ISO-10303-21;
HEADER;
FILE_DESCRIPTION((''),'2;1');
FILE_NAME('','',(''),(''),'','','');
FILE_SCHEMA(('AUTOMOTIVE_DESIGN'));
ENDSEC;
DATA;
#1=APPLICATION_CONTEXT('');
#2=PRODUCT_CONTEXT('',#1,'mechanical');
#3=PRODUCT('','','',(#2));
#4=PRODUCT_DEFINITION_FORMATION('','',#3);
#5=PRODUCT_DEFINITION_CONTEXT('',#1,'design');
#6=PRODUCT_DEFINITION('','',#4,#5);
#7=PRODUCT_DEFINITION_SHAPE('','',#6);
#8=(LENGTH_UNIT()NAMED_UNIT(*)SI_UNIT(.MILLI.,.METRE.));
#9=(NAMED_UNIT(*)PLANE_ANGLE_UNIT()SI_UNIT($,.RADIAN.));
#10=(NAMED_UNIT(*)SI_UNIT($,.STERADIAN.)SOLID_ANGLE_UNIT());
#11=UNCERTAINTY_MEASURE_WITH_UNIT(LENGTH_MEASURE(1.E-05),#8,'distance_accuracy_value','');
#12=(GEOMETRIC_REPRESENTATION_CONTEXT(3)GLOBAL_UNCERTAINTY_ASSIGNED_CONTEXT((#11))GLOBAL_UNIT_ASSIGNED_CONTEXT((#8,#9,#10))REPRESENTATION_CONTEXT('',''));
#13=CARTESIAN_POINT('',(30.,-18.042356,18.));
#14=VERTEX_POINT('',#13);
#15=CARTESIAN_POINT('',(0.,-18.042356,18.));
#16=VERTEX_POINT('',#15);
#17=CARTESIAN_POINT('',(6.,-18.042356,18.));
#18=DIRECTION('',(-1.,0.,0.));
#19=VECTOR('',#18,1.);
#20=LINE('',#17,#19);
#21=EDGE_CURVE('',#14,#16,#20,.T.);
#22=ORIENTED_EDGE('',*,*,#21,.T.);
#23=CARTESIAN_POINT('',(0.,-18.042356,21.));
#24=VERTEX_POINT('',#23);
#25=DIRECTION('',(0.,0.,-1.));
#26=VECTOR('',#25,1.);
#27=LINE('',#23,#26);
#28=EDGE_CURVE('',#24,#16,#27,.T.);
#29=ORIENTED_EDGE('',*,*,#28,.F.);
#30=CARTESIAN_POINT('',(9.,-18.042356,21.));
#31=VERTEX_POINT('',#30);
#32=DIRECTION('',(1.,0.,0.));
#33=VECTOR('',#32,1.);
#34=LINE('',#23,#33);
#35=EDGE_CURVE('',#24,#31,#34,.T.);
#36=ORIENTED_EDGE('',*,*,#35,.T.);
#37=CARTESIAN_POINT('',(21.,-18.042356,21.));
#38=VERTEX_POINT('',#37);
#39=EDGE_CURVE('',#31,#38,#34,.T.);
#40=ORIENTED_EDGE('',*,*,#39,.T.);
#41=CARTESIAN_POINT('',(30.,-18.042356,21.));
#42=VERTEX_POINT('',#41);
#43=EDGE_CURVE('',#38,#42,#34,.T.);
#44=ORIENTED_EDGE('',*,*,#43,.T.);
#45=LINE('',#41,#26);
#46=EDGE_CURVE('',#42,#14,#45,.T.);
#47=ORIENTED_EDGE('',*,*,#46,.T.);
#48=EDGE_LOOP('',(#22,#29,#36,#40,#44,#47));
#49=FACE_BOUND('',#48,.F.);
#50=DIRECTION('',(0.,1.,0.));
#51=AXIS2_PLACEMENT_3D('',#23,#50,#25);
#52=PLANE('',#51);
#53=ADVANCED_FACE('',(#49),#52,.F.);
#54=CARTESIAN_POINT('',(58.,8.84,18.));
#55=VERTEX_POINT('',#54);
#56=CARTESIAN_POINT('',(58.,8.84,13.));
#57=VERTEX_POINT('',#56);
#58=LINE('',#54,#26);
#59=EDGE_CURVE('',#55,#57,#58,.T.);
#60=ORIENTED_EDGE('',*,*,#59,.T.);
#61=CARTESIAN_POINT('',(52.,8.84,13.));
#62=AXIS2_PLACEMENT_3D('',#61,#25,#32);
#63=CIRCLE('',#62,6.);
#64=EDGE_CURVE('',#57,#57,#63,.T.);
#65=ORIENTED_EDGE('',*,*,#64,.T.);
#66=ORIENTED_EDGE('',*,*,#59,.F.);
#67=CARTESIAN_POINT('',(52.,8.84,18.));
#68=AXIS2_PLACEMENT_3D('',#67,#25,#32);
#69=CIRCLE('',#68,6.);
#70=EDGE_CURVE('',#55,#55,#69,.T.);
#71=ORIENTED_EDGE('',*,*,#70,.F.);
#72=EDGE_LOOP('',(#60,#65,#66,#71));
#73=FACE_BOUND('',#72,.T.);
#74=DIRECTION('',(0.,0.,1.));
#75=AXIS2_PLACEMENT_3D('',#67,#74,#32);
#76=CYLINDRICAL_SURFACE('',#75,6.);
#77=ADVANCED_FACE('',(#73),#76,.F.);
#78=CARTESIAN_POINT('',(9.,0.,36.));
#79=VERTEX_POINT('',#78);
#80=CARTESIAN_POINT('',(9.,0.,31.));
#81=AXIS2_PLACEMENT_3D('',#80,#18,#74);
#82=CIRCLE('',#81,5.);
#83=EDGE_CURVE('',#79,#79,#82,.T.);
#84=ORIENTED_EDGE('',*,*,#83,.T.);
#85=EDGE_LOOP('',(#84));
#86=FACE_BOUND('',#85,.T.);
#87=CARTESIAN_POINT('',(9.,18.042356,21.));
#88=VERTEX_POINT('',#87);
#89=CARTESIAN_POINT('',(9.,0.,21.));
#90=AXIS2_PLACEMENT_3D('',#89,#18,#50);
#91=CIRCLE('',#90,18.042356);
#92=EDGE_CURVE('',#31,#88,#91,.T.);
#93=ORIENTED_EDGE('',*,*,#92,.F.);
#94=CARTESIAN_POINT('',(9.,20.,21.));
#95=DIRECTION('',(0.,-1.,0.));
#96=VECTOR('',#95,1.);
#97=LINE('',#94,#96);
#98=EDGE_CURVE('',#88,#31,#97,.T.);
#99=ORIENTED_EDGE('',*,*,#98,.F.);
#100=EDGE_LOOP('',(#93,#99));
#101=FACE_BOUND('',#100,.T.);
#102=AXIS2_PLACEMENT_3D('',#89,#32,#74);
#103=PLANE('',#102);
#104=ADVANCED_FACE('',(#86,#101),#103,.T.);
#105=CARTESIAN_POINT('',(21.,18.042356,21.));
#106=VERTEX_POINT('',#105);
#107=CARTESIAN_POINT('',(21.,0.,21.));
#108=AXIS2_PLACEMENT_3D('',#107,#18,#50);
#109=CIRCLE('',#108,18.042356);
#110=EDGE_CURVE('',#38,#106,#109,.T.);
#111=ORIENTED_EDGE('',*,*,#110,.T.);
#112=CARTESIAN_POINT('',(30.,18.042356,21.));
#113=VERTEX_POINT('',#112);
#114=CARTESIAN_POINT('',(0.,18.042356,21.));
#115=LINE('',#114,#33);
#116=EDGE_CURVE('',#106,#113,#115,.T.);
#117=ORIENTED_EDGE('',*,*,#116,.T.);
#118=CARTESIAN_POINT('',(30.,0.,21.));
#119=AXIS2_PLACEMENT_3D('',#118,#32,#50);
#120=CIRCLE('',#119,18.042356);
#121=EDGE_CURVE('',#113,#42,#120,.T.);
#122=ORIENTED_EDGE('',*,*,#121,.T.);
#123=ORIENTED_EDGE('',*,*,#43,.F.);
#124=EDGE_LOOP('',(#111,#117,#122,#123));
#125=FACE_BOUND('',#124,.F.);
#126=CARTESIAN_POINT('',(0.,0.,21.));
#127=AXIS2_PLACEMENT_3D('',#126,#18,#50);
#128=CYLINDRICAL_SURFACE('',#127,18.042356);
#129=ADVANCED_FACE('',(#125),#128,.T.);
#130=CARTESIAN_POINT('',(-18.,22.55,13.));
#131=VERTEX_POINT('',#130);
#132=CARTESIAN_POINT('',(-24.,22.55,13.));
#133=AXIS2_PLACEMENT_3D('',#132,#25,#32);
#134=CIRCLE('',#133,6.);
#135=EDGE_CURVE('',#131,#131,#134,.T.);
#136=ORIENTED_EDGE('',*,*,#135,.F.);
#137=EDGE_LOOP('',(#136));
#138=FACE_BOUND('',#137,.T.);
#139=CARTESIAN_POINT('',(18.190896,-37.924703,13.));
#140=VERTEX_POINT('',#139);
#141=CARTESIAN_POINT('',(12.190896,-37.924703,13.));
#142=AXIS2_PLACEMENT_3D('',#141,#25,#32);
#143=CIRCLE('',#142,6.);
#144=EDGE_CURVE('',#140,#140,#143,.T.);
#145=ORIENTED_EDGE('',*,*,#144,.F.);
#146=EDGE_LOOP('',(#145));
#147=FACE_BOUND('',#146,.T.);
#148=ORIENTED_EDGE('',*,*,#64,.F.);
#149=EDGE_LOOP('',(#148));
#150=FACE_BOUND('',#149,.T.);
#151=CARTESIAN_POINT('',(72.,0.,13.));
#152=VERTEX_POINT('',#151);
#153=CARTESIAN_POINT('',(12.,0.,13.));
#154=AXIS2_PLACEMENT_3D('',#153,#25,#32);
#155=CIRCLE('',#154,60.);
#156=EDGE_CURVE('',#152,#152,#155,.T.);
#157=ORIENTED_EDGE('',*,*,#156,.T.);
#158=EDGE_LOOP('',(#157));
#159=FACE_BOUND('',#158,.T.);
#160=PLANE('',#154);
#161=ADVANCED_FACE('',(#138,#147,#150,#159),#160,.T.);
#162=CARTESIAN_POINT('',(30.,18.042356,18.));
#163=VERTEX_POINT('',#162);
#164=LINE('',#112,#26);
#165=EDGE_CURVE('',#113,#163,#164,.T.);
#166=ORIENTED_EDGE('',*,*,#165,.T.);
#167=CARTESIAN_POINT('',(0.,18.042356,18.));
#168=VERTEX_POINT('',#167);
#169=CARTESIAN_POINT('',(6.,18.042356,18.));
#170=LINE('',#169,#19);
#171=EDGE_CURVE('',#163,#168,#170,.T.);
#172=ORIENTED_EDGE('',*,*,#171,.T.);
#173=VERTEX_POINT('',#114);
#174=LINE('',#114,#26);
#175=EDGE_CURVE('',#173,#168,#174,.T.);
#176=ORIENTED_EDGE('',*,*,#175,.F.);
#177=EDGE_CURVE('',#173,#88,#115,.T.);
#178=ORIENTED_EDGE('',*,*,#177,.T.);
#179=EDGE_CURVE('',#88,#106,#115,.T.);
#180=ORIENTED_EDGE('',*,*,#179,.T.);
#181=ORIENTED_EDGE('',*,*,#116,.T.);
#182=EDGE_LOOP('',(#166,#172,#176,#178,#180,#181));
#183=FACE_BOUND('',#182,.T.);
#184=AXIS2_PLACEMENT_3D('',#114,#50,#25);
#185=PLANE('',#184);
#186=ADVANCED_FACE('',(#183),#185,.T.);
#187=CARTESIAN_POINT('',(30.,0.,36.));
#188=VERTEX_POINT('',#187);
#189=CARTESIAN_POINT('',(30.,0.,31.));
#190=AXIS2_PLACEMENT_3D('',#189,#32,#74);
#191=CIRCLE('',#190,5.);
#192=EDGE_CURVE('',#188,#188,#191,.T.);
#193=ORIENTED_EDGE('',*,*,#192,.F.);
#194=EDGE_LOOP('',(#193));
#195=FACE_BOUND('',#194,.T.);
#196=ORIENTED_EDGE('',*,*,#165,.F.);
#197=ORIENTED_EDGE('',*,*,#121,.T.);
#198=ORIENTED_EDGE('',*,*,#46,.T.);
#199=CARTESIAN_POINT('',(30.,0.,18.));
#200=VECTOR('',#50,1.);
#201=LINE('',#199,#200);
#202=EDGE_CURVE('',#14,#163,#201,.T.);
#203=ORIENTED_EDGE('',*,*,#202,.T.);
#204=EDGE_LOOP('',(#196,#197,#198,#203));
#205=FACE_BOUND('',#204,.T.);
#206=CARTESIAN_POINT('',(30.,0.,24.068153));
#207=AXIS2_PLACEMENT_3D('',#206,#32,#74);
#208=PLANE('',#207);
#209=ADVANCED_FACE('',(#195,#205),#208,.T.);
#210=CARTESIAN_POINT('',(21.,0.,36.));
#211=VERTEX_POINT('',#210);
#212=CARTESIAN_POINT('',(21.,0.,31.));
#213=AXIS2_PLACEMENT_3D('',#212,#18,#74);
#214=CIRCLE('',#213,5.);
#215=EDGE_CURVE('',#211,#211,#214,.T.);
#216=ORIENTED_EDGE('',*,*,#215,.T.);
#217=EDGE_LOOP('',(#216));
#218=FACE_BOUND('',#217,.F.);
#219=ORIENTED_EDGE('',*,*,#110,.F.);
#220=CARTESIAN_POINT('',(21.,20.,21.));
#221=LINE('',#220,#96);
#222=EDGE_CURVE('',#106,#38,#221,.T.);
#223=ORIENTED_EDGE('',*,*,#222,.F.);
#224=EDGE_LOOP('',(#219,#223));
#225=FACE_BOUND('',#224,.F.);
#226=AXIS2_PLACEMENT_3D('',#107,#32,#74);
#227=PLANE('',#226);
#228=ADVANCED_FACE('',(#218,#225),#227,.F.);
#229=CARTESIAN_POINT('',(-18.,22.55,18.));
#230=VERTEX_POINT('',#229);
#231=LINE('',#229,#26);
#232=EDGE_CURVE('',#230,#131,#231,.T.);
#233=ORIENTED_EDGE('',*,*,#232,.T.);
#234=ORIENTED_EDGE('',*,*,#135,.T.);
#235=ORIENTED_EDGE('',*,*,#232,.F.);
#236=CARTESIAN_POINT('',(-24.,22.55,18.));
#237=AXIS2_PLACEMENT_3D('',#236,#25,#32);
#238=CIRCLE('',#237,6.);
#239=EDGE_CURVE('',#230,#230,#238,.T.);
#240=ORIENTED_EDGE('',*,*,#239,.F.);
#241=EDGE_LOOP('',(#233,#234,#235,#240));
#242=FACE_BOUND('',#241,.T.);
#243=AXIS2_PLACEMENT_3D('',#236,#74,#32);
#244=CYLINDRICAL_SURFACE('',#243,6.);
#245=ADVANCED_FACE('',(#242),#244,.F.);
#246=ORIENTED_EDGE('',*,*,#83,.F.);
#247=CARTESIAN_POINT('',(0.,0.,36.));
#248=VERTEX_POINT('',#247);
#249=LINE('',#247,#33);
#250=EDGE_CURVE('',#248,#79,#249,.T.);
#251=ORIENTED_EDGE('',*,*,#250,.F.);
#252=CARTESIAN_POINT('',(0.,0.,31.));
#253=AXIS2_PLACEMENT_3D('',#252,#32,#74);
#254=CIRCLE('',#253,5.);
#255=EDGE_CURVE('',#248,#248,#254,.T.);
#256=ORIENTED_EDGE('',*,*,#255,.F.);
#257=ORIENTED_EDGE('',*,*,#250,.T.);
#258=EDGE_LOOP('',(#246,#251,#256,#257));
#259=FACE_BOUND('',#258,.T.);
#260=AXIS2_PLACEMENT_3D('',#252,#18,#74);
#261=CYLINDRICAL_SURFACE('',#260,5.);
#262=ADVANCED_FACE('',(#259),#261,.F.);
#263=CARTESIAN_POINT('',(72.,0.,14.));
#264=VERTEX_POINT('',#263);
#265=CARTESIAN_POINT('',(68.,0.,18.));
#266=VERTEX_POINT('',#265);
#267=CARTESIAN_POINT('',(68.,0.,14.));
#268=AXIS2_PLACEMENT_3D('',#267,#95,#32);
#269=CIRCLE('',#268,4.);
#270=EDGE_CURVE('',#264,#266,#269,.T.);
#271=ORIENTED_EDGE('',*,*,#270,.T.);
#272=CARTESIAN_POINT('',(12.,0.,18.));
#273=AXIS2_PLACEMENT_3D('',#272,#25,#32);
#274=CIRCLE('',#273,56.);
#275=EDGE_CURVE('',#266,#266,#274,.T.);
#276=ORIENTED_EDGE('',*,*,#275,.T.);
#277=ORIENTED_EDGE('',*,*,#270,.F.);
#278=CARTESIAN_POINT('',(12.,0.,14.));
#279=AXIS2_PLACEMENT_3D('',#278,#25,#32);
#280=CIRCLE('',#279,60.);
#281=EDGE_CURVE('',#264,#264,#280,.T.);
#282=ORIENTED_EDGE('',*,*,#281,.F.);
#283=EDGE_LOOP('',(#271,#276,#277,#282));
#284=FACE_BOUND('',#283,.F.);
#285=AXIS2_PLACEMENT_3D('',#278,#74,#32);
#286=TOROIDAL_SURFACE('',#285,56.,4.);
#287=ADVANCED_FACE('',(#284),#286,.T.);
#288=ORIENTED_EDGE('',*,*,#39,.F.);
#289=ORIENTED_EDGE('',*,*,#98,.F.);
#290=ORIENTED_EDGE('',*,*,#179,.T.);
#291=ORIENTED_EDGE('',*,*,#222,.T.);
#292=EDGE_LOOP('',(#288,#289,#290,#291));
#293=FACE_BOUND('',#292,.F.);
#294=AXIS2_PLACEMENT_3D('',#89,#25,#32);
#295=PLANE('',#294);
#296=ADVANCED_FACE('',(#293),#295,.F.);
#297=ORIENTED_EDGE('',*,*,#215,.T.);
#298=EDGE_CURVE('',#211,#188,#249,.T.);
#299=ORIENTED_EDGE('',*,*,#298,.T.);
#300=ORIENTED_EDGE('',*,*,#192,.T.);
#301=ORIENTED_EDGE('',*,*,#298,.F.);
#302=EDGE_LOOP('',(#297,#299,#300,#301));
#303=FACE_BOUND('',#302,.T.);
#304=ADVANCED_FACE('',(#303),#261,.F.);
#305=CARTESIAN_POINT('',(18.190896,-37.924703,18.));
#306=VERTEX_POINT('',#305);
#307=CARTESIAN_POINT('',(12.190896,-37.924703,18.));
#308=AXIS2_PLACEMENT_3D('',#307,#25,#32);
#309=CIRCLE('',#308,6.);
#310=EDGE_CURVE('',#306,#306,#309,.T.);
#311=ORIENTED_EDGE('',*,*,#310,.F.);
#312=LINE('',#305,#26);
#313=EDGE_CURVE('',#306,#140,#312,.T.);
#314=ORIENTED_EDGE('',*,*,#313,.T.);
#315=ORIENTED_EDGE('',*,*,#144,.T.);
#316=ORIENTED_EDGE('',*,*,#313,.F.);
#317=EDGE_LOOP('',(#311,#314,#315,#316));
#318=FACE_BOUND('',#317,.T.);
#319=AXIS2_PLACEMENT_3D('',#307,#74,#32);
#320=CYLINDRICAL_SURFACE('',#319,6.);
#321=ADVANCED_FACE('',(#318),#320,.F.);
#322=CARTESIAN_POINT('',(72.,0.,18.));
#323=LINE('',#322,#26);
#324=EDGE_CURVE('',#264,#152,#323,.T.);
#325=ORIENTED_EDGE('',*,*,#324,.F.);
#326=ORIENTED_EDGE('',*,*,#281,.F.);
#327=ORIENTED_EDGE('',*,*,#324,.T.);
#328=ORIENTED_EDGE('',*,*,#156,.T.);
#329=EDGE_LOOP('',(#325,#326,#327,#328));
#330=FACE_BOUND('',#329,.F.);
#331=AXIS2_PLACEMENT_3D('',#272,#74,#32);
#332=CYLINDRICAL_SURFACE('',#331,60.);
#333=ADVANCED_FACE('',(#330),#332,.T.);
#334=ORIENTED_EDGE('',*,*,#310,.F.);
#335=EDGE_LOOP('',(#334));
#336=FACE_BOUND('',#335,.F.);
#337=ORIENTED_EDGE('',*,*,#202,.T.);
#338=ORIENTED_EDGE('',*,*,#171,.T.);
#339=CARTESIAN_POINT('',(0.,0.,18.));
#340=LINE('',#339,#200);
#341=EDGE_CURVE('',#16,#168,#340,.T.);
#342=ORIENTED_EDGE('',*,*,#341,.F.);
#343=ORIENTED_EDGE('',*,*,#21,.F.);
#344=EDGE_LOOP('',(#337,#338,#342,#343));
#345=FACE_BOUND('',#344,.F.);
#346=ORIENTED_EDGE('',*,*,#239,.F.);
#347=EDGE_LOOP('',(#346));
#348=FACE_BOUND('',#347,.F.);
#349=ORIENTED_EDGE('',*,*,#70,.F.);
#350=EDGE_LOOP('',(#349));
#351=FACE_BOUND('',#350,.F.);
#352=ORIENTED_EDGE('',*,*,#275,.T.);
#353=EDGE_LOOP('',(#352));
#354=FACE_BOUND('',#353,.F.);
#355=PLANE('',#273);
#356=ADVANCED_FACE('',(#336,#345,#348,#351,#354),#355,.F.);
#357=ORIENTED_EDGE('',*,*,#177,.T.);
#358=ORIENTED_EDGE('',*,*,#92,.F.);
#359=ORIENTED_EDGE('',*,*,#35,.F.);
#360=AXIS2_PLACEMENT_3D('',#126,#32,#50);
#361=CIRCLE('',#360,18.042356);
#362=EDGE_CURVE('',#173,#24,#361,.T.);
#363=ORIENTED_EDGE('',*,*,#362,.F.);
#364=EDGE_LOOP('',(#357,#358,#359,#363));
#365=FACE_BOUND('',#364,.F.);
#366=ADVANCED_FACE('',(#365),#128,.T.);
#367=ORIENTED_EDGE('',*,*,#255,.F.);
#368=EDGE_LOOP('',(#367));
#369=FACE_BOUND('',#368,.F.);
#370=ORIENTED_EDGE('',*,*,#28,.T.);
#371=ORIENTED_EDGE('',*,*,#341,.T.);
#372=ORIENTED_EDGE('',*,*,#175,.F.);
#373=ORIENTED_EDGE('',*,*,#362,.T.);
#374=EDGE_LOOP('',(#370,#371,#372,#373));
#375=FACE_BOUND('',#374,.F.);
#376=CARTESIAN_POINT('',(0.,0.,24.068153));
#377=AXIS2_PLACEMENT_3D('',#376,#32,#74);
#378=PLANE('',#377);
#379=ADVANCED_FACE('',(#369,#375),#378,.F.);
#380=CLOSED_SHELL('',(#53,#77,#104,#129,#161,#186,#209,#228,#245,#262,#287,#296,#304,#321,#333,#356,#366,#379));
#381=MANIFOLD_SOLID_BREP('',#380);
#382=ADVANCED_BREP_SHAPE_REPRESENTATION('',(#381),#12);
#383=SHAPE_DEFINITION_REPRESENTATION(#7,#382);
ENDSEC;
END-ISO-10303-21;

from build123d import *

# Parameters (mm, degrees)
SKETCH008_R        = 5
PAD003_DEPTH       = 30
SKETCH009_W        = 12
SKETCH009_H        = 21.7
POCKET002_DEPTH    = 20
SKETCH010_R        = 60
SKETCH010_R_2      = 6
PAD004_DEPTH       = 5
FILLET_R           = 4
BODY004_ROLL_ANGLE = 90


with BuildPart() as part:
    # Sketch008 → Pad003 (new body)
    with BuildSketch(Plane.YZ):
        with BuildLine():
            ThreePointArc((0, -18.042356), (18.042356, 0), (0, 18.042356))
            Line((0, 18.042356), (-5.957898, 18.042356))
            Line((-5.957898, -18.042356), (-5.957898, 18.042356))
            Line((0, -18.042356), (-5.957898, -18.042356))
        make_face()
        with Locations((10, 0)):
            Circle(SKETCH008_R, mode=Mode.SUBTRACT)
    extrude(amount=PAD003_DEPTH)

    # Sketch009 → Pocket002 (cut, symmetric)
    with BuildSketch(Plane.XY):
        with Locations((15, 10.85)):
            Rectangle(SKETCH009_W, SKETCH009_H)
    extrude(amount=POCKET002_DEPTH, both=True, mode=Mode.SUBTRACT)

    # Sketch010 → Pad004 (join)
    with BuildSketch(Plane(origin=(12, -3, 0), x_dir=(1, 0, 0), z_dir=(0, -1, 0))):
        Circle(SKETCH010_R)
        with Locations((0.190896, 37.924703)):
            Circle(SKETCH010_R_2, mode=Mode.SUBTRACT)
        with Locations((-36, -22.55)):
            Circle(SKETCH010_R_2, mode=Mode.SUBTRACT)
        with Locations((40, -8.84)):
            Circle(SKETCH010_R_2, mode=Mode.SUBTRACT)
    extrude(amount=PAD004_DEPTH)

    # Fillet
    fillet_edges = [part.edges().sort_by_distance(p)[0] for p in [
        (-48, -3, 0),
    ]]
    fillet(fillet_edges, radius=FILLET_R)


with BuildPart() as part_1:
    # Body004 roll: moved
    add(part.part.rotate(Axis((0, 0, 0), (1, 0, 0)), BODY004_ROLL_ANGLE))


with BuildPart() as part_2:
    # Body004 placement: moved
    add(part_1.part.moved(Location((0, 0, 21))))


solid = part_2.part
